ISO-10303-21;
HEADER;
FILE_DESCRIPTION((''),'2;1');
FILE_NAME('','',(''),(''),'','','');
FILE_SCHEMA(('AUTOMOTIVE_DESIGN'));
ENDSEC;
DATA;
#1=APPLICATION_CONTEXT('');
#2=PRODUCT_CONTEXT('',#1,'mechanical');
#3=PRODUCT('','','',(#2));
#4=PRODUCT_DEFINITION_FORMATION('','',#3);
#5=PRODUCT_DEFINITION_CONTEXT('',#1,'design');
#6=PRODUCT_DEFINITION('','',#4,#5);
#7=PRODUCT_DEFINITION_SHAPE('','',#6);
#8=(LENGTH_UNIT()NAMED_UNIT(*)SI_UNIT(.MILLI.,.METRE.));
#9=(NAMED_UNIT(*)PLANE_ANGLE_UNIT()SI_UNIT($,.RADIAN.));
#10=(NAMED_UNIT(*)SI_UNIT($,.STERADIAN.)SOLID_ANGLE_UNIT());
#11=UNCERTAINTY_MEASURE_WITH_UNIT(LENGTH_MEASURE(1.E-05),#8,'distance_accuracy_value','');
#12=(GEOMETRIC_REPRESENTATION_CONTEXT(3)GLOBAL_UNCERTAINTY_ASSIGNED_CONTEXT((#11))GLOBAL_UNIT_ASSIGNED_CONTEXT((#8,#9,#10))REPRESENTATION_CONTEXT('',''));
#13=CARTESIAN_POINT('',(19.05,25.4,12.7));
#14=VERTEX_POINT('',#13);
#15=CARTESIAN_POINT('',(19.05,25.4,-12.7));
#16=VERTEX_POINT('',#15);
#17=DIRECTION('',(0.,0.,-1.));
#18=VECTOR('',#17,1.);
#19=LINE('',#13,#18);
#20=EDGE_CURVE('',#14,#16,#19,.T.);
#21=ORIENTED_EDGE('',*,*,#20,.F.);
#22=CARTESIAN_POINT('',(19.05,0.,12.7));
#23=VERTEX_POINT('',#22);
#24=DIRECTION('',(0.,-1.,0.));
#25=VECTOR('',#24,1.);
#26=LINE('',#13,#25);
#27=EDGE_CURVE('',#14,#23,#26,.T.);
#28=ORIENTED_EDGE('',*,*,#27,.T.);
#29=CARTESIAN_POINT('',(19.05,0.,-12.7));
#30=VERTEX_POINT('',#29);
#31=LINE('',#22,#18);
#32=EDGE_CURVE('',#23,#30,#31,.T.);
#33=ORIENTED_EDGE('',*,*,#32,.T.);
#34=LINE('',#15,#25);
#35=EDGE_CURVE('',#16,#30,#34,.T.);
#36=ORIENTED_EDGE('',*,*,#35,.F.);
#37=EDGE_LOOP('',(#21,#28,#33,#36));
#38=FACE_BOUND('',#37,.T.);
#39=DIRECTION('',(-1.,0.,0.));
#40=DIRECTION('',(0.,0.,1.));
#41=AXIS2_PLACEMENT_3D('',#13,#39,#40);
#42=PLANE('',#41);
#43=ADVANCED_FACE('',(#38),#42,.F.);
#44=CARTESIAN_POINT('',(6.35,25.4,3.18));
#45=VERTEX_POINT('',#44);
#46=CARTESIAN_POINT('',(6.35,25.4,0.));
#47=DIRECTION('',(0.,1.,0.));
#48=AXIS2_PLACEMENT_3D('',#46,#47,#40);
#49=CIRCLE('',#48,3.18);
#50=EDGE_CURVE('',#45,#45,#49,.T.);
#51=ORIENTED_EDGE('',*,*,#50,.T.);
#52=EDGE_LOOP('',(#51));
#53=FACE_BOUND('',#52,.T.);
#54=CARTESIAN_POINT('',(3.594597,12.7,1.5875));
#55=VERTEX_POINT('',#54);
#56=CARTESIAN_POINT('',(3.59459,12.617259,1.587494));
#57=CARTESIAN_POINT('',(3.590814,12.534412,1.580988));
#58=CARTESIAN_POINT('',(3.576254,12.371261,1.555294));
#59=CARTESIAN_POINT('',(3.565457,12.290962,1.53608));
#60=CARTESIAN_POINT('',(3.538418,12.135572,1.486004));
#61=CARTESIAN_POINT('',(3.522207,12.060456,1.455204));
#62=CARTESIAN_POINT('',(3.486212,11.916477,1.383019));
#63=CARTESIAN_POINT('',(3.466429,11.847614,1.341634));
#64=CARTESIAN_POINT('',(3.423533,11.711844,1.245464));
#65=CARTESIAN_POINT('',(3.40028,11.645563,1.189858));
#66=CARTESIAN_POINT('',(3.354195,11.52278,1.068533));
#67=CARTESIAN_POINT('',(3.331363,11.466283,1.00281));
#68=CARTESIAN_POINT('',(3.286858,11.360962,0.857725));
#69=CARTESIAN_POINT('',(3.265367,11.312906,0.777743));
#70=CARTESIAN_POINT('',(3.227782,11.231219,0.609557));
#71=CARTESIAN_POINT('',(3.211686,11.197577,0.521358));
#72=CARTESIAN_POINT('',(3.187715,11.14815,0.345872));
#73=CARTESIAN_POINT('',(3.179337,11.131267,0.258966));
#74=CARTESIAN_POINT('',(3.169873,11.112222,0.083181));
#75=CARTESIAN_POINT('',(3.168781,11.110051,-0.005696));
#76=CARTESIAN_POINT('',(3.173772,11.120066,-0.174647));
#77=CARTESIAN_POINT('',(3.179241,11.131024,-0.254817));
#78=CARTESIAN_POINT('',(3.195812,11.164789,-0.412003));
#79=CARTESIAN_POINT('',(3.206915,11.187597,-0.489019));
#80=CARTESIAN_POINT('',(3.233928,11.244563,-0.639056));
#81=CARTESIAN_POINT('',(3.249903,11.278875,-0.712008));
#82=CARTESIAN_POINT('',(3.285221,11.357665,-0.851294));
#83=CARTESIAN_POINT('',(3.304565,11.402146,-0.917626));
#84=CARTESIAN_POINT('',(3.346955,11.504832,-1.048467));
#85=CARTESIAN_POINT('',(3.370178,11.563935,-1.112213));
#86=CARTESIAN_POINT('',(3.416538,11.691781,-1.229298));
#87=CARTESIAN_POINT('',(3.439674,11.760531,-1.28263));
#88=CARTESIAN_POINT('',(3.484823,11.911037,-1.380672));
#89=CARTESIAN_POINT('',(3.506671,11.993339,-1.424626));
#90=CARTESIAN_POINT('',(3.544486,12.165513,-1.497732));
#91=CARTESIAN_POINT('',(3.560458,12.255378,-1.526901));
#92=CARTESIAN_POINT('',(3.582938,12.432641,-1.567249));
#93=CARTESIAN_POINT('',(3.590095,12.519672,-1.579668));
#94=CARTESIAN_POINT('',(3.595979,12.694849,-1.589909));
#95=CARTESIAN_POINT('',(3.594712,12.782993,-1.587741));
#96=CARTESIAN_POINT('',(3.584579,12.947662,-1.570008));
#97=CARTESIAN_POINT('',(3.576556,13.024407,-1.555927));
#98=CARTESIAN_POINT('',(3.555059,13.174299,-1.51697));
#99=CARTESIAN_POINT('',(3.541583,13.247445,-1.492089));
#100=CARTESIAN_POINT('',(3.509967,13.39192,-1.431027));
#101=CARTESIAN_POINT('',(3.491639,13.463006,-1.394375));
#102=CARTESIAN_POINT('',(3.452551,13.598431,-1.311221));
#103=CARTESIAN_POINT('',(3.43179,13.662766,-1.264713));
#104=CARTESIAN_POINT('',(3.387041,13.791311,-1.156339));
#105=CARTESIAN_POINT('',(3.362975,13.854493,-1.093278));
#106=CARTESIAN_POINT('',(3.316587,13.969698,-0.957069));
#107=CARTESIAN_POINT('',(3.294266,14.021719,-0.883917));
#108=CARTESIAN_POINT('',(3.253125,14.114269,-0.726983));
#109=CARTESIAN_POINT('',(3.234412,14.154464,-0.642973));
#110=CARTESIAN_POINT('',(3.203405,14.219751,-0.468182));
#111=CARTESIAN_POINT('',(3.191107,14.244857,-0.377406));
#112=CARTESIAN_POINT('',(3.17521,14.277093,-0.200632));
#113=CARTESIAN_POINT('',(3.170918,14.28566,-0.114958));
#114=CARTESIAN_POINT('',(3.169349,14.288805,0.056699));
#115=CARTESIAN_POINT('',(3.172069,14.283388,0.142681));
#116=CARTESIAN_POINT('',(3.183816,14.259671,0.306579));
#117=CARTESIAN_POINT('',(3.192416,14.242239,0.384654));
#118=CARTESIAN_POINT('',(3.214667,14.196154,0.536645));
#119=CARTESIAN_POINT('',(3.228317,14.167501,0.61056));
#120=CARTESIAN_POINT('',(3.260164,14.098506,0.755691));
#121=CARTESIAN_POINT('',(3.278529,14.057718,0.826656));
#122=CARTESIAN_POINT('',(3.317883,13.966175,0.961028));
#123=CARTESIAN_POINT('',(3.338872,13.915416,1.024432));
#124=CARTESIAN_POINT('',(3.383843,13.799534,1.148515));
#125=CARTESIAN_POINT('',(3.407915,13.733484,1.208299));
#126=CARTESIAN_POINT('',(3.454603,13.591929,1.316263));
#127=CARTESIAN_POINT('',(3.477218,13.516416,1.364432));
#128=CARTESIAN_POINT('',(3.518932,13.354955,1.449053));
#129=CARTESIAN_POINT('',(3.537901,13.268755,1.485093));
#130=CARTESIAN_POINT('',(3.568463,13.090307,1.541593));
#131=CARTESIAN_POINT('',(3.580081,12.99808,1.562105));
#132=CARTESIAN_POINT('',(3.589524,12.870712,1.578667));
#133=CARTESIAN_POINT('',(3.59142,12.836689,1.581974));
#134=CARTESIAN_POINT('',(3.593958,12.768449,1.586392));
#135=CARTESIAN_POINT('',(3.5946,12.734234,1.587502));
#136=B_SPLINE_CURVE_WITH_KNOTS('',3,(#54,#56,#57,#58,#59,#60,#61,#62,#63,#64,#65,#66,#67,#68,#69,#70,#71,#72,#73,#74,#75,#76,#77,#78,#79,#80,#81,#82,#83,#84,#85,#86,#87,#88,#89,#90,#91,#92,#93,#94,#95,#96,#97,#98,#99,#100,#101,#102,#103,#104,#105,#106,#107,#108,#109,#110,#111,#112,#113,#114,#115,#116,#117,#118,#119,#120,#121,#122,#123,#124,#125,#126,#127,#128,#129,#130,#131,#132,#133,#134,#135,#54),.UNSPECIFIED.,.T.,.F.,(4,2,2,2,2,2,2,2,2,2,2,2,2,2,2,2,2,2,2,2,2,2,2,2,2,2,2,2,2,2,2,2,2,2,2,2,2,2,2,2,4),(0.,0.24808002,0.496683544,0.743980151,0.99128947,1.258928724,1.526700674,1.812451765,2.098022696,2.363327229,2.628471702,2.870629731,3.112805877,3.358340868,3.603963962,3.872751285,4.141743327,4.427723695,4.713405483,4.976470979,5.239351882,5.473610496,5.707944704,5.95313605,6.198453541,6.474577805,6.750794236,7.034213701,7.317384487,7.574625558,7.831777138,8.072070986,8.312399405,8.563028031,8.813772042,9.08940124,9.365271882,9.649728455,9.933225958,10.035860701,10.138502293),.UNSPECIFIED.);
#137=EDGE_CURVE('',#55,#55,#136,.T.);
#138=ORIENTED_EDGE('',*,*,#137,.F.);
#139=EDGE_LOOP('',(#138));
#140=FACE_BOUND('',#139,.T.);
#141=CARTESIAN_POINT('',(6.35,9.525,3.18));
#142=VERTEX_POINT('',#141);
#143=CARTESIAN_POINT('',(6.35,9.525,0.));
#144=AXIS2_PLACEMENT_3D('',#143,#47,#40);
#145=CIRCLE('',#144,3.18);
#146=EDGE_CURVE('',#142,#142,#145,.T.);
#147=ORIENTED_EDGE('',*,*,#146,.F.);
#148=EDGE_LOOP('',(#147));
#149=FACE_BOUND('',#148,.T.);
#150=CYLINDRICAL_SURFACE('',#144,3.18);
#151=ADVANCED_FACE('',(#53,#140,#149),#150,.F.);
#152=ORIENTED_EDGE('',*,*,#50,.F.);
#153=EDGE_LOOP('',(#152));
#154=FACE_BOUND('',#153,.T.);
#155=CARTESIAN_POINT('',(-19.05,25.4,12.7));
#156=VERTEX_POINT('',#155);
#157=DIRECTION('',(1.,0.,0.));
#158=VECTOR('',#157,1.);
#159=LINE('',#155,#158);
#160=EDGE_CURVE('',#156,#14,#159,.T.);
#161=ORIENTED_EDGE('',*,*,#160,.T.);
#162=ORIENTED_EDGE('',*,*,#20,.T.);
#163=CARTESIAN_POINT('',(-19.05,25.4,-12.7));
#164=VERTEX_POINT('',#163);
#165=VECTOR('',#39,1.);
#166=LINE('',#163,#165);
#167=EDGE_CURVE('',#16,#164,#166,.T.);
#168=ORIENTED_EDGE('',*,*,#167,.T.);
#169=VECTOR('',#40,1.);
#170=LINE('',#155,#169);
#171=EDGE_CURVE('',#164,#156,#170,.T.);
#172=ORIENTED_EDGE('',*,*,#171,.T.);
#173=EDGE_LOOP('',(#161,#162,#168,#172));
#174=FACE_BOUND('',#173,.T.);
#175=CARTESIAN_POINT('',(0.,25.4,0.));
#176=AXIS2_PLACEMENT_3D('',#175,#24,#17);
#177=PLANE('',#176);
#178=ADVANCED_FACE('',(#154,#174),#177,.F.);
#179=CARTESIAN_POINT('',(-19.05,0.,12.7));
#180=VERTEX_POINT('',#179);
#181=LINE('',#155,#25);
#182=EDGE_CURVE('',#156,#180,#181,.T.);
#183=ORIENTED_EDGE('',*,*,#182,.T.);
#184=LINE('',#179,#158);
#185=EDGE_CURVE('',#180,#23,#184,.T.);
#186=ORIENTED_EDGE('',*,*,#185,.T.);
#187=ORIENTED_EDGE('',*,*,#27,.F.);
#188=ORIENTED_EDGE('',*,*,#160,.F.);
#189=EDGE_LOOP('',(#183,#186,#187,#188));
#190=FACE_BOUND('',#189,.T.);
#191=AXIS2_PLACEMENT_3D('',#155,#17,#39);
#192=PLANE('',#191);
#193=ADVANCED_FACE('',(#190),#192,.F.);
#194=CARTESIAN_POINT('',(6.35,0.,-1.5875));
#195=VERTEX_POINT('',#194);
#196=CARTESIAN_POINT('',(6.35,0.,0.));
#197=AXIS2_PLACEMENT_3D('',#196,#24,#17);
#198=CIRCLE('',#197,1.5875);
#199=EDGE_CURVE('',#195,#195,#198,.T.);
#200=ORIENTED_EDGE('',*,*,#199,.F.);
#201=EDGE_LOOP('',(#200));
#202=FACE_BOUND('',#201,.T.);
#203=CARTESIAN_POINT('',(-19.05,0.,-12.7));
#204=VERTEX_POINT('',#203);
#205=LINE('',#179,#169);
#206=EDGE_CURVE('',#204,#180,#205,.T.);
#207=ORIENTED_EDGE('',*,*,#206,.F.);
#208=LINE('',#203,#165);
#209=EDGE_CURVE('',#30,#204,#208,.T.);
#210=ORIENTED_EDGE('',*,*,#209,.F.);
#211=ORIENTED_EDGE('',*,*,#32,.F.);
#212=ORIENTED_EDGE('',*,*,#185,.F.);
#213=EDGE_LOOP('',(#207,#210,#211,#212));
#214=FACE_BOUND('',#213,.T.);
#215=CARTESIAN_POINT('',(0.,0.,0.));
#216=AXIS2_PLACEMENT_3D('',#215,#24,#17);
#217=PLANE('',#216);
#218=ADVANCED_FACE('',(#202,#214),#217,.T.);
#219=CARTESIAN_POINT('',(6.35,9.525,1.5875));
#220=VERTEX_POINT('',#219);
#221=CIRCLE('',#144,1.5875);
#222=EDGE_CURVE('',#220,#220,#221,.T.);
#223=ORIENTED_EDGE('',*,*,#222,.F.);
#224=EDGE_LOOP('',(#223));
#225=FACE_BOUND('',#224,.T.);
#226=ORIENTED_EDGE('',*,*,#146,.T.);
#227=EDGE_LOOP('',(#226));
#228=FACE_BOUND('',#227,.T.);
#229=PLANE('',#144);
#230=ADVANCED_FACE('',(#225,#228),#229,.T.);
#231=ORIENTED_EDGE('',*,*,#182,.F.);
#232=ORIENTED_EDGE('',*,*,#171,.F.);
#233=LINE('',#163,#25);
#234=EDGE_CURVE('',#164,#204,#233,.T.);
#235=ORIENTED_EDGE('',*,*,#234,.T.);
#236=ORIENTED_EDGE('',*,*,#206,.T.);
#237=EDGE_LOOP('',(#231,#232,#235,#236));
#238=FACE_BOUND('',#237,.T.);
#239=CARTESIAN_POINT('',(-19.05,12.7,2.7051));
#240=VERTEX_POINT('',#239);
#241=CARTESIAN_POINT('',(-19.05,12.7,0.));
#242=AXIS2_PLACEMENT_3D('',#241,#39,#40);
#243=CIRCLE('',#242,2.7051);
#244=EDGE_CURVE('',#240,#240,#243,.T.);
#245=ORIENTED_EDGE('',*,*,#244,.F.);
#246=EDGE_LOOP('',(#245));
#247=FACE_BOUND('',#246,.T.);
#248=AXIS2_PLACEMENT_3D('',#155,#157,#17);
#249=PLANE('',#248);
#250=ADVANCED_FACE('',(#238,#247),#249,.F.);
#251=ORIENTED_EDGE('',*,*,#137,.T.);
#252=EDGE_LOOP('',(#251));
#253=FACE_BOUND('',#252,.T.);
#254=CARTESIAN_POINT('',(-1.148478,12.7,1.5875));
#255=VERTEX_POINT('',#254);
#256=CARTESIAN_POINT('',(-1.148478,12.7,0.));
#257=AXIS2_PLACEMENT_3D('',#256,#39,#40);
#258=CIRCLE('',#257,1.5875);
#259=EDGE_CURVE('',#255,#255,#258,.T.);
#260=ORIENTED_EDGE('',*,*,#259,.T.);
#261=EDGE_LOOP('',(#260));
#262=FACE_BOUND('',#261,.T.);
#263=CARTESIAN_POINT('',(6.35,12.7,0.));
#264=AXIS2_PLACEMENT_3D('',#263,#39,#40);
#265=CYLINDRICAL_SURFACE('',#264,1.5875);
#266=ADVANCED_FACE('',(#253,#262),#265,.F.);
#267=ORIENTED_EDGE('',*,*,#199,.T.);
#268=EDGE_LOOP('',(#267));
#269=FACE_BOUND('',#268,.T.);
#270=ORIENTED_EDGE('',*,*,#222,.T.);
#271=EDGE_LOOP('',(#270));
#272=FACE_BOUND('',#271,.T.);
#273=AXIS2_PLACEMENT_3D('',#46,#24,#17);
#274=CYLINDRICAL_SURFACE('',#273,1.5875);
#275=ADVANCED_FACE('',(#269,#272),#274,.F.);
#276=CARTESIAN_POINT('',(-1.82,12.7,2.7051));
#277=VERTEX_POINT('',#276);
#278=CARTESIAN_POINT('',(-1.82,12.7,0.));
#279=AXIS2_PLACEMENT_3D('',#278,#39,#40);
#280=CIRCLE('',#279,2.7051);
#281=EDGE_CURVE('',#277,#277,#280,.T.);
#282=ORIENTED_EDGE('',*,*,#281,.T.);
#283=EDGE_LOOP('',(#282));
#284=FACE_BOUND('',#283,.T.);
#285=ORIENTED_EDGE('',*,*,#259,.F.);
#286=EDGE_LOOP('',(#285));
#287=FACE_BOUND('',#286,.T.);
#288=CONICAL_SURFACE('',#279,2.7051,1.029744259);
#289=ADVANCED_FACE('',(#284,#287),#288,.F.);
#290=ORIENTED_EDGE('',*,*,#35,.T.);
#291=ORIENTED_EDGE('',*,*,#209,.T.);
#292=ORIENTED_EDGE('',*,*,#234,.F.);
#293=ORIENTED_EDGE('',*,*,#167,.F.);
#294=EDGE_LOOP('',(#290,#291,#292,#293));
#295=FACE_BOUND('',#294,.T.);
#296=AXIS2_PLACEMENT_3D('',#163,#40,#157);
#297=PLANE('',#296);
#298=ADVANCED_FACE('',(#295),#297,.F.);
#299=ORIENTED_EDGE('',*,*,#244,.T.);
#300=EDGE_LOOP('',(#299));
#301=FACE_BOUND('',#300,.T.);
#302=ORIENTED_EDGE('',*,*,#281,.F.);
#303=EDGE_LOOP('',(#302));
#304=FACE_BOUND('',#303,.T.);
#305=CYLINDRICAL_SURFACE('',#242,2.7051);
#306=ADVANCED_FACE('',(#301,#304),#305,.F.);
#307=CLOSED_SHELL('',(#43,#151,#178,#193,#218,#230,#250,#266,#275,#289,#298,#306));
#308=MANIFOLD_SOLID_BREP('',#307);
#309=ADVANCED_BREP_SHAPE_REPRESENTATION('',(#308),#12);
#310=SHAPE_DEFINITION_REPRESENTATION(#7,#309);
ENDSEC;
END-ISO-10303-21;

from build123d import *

# Parameters (mm, degrees)
SKETCH1_W                   = 38.1
SKETCH1_H                   = 25.4
BOSS_EXTRUDE1_DEPTH         = 25.4
SKETCH3_R                   = 1.5875
CUT_EXTRUDE2_DEPTH          = 25.4
F_1_4_28_TAPPED_HOLE1_D     = 5.4102
F_1_4_28_TAPPED_HOLE1_DEPTH = 17.23
F_1_4_28_TAPPED_HOLE1_TIP   = 1.625388061
SKETCH2_R                   = 3.18
CUT_EXTRUDE6_DEPTH          = 15.875
SKETCH8_R                   = 1.5875
CUT_EXTRUDE7_DEPTH          = 35.1957966


with BuildPart() as part:
    # Sketch1 → Boss-Extrude1 (new body)
    with BuildSketch(Plane(origin=(0, 0, 0), x_dir=(1, 0, 0), z_dir=(0, 1, 0))):
        Rectangle(SKETCH1_W, SKETCH1_H)
    extrude(amount=BOSS_EXTRUDE1_DEPTH)

    # Sketch3 → Cut-Extrude2 (cut)
    with BuildSketch(Plane.ZY.offset(19.05)):
        with Locations((0, 12.7)):
            Circle(SKETCH3_R)
    extrude(amount=-CUT_EXTRUDE2_DEPTH, mode=Mode.SUBTRACT)

    # 1/4-28 Tapped Hole1
    with Locations(Plane.ZY.offset(19.05)):
        with Locations((0, 12.7)):
            Hole(F_1_4_28_TAPPED_HOLE1_D / 2, depth=F_1_4_28_TAPPED_HOLE1_DEPTH)
            with Locations((0, 0, -(F_1_4_28_TAPPED_HOLE1_DEPTH + F_1_4_28_TAPPED_HOLE1_TIP / 2))):  # 118° drill point
                Cone(0, F_1_4_28_TAPPED_HOLE1_D / 2, F_1_4_28_TAPPED_HOLE1_TIP, mode=Mode.SUBTRACT)

    # Sketch2 → Cut-Extrude6 (cut)
    with BuildSketch(Plane(origin=(0, 25.4, 0), x_dir=(1, 0, 0), z_dir=(0, 1, 0))):
        with Locations(Location((6.35, 0, 0), (0, 0, 270))):
            Circle(SKETCH2_R)
    extrude(amount=-CUT_EXTRUDE6_DEPTH, mode=Mode.SUBTRACT)

    # Sketch8 → Cut-Extrude7 (cut, through all)
    with BuildSketch(Plane.XZ):
        with Locations(Location((6.35, 0, 0), (0, 0, 270))):
            Circle(SKETCH8_R)
    extrude(amount=-CUT_EXTRUDE7_DEPTH, mode=Mode.SUBTRACT)


solid = part.part
